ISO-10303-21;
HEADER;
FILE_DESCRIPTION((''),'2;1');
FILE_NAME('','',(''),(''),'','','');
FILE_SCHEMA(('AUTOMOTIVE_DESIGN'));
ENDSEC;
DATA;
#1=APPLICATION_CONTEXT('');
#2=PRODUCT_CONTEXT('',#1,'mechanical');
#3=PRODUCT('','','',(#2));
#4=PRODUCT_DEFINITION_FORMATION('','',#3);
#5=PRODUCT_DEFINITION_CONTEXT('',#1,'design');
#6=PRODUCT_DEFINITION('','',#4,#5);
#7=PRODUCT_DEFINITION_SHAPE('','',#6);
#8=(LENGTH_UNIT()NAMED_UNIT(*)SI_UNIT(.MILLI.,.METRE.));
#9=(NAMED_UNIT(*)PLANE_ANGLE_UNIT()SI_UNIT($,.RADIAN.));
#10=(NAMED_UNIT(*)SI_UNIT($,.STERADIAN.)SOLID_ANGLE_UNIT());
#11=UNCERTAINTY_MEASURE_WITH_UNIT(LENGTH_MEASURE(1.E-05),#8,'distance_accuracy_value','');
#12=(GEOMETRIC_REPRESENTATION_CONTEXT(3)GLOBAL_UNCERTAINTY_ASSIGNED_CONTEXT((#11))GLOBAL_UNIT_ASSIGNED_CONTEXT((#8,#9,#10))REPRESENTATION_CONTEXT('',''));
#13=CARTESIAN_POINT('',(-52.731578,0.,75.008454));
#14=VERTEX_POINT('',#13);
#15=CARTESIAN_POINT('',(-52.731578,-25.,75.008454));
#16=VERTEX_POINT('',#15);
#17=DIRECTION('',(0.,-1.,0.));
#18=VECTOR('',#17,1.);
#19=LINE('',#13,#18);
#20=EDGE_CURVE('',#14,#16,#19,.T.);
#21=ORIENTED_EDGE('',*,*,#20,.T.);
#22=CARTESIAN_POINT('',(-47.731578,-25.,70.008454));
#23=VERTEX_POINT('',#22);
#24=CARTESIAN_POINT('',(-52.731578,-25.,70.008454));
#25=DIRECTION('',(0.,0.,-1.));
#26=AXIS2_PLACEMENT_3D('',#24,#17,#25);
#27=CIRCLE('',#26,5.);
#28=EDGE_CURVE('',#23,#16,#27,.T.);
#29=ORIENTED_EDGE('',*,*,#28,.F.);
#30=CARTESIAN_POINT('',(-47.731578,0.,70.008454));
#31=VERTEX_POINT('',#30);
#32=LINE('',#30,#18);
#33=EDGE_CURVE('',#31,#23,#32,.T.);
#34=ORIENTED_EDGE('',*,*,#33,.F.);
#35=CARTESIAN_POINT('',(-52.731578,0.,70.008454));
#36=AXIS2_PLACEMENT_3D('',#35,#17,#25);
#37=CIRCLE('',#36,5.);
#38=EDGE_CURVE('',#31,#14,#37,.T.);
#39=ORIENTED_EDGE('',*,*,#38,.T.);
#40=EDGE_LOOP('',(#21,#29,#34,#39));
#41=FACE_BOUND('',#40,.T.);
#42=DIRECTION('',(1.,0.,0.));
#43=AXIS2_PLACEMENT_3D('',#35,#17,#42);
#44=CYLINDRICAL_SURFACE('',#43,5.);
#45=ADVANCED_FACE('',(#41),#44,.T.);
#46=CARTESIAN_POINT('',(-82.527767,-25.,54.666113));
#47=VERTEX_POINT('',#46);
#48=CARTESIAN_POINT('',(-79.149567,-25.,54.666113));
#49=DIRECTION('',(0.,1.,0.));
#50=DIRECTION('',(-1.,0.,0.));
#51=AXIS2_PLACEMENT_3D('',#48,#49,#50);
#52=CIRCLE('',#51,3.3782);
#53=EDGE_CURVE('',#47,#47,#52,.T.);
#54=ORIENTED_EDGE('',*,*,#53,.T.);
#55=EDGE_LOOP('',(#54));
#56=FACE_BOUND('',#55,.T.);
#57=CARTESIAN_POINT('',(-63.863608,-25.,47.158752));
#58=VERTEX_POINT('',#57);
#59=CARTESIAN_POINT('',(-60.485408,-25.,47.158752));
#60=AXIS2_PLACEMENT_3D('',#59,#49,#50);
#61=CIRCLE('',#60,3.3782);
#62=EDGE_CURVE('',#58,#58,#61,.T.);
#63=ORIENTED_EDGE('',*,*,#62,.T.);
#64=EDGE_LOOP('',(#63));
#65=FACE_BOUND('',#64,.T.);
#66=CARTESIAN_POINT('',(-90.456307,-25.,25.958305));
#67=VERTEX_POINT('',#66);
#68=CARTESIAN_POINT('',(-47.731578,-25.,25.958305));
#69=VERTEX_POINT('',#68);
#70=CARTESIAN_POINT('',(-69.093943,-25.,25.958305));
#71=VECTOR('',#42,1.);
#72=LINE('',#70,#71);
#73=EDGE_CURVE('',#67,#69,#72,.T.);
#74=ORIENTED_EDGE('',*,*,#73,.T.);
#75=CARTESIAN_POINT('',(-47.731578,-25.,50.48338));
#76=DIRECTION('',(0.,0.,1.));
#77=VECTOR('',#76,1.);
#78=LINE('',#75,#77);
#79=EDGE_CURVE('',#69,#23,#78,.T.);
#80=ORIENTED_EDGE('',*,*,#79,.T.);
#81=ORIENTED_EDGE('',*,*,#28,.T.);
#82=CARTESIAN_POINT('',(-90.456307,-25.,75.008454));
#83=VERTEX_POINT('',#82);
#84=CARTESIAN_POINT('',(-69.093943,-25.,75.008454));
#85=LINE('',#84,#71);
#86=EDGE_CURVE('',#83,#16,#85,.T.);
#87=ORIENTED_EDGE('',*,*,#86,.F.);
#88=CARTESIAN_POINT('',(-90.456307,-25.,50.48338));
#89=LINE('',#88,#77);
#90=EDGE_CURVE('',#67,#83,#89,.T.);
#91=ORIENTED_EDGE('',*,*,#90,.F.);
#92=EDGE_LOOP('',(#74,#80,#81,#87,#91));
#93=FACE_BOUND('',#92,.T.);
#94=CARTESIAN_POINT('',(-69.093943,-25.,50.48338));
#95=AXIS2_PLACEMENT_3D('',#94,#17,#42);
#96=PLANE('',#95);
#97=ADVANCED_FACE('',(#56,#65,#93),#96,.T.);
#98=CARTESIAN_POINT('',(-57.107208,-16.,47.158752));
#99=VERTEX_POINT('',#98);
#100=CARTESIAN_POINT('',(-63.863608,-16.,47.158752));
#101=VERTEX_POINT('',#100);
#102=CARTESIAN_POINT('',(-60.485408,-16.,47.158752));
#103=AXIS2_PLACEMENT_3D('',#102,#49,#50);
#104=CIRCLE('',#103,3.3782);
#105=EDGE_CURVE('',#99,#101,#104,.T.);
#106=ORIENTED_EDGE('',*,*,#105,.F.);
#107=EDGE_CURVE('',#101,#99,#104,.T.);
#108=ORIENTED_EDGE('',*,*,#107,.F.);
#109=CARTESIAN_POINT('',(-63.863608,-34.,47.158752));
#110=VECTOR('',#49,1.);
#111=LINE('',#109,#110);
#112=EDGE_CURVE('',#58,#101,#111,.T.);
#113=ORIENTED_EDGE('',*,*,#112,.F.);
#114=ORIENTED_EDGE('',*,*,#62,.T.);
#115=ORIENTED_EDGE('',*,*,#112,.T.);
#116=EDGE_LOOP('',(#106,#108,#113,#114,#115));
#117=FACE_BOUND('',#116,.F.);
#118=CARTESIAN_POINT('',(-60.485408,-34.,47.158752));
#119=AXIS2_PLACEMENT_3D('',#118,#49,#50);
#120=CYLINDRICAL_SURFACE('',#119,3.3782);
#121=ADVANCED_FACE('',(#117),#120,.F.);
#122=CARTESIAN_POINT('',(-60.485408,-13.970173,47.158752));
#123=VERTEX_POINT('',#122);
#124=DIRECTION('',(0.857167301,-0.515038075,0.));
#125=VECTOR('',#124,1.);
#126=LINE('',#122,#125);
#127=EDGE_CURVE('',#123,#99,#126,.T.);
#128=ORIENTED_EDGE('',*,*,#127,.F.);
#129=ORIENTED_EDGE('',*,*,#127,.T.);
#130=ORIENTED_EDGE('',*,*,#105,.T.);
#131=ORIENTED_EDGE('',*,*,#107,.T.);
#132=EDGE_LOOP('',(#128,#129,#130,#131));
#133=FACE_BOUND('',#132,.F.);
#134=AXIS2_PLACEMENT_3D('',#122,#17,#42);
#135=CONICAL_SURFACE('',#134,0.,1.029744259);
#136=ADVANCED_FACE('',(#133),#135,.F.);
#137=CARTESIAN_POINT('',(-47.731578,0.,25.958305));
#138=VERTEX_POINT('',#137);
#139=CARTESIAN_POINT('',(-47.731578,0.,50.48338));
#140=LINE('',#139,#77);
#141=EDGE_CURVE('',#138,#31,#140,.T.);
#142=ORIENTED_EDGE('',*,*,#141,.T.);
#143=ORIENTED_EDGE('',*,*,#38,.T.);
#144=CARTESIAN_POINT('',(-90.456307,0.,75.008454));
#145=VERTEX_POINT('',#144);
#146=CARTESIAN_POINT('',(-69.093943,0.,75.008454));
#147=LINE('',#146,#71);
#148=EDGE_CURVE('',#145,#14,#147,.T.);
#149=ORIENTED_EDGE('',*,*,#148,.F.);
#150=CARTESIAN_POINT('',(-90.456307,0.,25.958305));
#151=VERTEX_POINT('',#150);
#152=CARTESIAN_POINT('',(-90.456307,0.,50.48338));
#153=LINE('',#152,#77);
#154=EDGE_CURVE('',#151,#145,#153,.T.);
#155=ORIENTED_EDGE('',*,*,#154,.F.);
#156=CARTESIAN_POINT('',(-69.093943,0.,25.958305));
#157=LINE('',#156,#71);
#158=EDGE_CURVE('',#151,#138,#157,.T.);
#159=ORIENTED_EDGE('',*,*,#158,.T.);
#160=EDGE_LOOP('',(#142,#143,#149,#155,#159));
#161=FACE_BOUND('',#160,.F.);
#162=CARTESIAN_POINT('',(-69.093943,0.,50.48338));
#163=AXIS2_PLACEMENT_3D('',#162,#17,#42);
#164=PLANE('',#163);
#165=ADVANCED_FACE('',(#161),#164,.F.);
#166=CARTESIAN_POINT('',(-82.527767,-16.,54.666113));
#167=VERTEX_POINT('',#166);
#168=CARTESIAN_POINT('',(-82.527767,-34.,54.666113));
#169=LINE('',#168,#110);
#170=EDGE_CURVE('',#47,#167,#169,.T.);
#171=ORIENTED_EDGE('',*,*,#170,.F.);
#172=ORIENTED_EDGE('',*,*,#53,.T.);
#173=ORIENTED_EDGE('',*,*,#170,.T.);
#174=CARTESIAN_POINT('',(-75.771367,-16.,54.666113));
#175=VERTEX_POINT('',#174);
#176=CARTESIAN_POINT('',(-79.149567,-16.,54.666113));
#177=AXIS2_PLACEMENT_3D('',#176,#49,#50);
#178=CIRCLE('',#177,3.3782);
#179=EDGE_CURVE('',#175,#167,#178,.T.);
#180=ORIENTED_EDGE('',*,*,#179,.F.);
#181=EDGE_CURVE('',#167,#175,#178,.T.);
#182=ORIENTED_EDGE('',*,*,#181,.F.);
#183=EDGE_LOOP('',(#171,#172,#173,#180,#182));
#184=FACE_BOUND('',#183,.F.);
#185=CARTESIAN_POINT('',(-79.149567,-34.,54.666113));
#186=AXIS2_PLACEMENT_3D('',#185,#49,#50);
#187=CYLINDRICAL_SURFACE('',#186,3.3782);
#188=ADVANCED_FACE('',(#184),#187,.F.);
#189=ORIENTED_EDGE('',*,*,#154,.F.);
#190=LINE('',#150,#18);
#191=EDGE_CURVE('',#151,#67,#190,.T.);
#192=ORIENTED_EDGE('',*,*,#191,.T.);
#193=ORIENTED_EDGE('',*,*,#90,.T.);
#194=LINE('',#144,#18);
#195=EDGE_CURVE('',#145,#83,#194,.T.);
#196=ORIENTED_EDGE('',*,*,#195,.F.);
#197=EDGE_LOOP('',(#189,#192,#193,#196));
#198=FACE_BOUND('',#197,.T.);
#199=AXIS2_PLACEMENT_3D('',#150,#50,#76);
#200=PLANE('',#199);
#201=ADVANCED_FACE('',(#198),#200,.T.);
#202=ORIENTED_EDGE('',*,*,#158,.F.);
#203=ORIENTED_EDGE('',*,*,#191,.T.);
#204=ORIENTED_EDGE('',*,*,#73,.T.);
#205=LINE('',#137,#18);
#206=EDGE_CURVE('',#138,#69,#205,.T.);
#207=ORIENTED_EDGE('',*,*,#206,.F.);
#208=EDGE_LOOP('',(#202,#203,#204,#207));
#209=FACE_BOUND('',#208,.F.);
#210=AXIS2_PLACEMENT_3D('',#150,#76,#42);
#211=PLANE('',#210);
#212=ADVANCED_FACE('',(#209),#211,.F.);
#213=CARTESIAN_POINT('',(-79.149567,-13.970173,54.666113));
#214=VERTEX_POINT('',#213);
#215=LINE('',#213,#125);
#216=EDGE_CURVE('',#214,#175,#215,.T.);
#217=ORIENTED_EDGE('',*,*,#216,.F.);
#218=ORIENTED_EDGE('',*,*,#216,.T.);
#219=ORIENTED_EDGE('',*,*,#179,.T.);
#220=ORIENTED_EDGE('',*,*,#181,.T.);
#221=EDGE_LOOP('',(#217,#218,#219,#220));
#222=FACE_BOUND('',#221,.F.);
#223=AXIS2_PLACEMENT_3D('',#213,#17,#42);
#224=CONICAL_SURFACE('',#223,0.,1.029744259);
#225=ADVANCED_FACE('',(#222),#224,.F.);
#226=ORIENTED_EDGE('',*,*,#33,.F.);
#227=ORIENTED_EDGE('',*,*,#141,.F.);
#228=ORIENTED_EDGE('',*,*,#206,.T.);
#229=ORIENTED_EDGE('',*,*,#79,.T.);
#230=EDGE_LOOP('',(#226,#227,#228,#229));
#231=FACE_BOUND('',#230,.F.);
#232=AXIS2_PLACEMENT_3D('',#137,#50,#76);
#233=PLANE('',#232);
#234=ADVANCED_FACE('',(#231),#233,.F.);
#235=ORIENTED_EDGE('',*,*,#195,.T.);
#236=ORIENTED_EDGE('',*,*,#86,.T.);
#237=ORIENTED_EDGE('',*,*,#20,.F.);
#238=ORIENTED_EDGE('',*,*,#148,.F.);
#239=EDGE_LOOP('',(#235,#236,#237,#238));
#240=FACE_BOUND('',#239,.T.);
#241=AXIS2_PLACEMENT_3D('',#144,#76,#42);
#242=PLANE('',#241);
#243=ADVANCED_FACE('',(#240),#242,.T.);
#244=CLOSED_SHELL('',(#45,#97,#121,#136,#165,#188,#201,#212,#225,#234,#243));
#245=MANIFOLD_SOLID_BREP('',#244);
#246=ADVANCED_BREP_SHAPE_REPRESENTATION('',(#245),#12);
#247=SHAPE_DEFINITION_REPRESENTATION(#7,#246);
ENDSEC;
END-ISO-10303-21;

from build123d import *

# Parameters (mm, degrees)
F0_W     = 42.7247285843
F0_H     = 49.0501485765
F1_DEPTH = 25
F2_R     = 5
F4_D     = 6.7564
F4_DEPTH = 9
F4_TIP   = 2.0298273432


with BuildPart() as f1:
    # F0 (on Front) → F1 (new body)
    with BuildSketch(Plane.XZ):
        with Locations((-69.0939426422, 50.483379513)):
            Rectangle(F0_W, F0_H)
    extrude(amount=F1_DEPTH)

    # F2
    f2_edges = [f1.edges().sort_by_distance(p)[0] for p in [
        (-47.731578, -12.5, 75.008454),
    ]]
    fillet(f2_edges, radius=F2_R)

    # F4
    with Locations(Plane.XZ.offset(25)):
        with Locations((-79.1495665908, 54.6661131084), (-60.4854077101, 47.1587516367)):
            Hole(F4_D / 2, depth=F4_DEPTH)
            with Locations((0, 0, -(F4_DEPTH + F4_TIP / 2))):  # 118° drill point
                Cone(0, F4_D / 2, F4_TIP, mode=Mode.SUBTRACT)


solid = f1.part
